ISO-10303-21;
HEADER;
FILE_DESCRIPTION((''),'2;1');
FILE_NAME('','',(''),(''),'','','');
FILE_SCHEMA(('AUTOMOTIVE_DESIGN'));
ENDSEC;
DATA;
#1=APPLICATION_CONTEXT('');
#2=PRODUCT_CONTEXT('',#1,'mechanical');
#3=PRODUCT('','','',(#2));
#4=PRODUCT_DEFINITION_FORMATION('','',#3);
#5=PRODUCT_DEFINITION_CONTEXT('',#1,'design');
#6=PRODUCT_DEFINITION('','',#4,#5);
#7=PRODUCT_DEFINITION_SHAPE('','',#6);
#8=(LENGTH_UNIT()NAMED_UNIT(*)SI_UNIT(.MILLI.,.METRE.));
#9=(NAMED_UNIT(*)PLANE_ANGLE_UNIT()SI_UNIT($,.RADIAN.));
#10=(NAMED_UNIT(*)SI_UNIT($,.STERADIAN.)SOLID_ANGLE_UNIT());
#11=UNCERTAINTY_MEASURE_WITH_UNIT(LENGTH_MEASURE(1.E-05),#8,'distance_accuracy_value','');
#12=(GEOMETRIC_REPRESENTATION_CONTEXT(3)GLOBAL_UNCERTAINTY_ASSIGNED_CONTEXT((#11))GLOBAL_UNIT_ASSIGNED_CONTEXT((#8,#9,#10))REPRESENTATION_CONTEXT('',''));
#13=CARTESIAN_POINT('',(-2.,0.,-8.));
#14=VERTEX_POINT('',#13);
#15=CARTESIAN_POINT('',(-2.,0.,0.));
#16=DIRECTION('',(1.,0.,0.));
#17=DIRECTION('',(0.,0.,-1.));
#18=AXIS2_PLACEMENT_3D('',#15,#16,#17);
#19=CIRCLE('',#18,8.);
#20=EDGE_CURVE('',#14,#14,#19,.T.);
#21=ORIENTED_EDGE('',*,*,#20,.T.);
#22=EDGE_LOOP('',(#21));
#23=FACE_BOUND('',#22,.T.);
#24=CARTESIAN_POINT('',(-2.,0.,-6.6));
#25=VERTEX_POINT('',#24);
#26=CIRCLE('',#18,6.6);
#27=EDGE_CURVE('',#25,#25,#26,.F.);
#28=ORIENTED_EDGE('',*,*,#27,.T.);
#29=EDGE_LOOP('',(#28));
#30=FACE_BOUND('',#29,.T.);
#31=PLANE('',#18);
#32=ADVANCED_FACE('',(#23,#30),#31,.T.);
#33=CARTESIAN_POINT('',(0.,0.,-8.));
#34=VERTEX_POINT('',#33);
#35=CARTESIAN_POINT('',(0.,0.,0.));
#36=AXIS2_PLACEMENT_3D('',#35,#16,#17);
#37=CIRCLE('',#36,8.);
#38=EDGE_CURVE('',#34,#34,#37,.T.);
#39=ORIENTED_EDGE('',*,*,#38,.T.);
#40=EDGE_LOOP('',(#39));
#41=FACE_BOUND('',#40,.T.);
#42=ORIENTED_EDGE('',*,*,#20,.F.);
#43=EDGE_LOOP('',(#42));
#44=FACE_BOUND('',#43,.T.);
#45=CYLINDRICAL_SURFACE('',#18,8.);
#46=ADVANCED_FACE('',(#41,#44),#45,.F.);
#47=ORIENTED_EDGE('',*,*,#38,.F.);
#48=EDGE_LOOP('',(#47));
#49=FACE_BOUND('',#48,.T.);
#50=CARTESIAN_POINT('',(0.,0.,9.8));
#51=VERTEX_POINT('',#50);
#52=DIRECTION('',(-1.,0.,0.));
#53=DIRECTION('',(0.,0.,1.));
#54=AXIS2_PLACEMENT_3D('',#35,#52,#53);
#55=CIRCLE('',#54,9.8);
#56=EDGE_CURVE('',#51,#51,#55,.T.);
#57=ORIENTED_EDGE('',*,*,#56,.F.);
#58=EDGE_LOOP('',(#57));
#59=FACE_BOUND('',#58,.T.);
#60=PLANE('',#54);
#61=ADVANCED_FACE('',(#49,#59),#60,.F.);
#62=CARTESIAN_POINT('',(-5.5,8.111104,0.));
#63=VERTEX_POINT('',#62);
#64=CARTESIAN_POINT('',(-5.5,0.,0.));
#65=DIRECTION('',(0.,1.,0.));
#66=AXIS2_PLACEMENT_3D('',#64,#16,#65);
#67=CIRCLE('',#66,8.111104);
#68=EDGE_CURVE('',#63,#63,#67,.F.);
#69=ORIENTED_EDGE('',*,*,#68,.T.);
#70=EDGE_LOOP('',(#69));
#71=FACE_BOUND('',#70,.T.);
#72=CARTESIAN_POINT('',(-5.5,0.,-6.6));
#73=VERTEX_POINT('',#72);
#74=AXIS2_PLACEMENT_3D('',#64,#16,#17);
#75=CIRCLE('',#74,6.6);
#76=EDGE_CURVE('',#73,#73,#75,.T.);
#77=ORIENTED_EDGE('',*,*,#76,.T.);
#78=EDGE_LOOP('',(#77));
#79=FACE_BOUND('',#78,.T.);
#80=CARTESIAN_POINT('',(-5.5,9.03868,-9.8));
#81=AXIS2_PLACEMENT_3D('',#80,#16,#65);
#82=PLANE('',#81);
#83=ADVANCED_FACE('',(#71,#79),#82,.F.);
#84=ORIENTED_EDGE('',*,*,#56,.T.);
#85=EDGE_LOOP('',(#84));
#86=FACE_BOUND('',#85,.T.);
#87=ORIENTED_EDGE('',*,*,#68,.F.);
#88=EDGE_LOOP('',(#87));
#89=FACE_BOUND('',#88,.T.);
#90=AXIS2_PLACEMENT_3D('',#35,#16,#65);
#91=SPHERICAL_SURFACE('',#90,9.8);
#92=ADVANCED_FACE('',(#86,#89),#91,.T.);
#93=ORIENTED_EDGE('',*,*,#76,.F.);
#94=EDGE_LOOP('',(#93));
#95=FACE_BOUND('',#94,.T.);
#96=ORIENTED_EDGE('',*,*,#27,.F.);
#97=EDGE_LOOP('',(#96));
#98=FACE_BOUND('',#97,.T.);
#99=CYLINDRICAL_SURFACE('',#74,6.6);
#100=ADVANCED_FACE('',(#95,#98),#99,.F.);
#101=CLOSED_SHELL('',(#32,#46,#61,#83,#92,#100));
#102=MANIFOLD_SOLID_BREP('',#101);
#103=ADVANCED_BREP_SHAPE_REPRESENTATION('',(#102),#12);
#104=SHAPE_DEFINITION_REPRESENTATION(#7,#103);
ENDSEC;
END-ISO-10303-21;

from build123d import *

# Parameters (mm, degrees)
REVOLVE_1_ANGLE          = 180
CUT_EXTRUDE_3_DEPTH      = 17.974097914
CUT_EXTRUDE_3_DEPTH_BACK = 17.974097914
SKETCH_5_W               = 4.939169432
SKETCH_5_H               = 18.941714771
SKETCH_11_R              = 6.6
CUT_EXTRUDE_7_DEPTH      = 15.910734388
SKETCH_12_R              = 8
CUT_EXTRUDE_8_DEPTH      = 2


with BuildPart() as part:
    # 草图1 → 旋转1 (revolve)
    with BuildSketch(Plane(origin=(0, 0, 0), x_dir=(0, 0, -1), z_dir=(1, 0, 0))):
        with BuildLine():
            Line((0, 9.8), (0, -9.8))
            ThreePointArc((0, -9.8), (-9.8, 0), (0, 9.8))
        make_face()
    revolve(axis=Axis((0, 9.8, 0), (0, -1, 0)), revolution_arc=REVOLVE_1_ANGLE)

    # 草图5 → 切除-拉伸3 (cut, two sides: drawn at the far end of the back side and taken through both)
    with BuildSketch(Plane.XY.offset(-CUT_EXTRUDE_3_DEPTH_BACK)):
        with Locations((-7.969584716, -0.432177325)):
            Rectangle(SKETCH_5_W, SKETCH_5_H)
    extrude(amount=CUT_EXTRUDE_3_DEPTH + CUT_EXTRUDE_3_DEPTH_BACK, mode=Mode.SUBTRACT)

    # 草图11 → 切除-拉伸7 (cut, through all)
    with BuildSketch(Plane(origin=(0, 0, 0), x_dir=(0, 0, -1), z_dir=(1, 0, 0))):
        Circle(SKETCH_11_R)
    extrude(amount=-CUT_EXTRUDE_7_DEPTH, mode=Mode.SUBTRACT)

    # 草图12 → 切除-拉伸8 (cut)
    with BuildSketch(Plane(origin=(0, 0, 0), x_dir=(0, 0, -1), z_dir=(1, 0, 0))):
        Circle(SKETCH_12_R)
    extrude(amount=-CUT_EXTRUDE_8_DEPTH, mode=Mode.SUBTRACT)


solid = part.part
